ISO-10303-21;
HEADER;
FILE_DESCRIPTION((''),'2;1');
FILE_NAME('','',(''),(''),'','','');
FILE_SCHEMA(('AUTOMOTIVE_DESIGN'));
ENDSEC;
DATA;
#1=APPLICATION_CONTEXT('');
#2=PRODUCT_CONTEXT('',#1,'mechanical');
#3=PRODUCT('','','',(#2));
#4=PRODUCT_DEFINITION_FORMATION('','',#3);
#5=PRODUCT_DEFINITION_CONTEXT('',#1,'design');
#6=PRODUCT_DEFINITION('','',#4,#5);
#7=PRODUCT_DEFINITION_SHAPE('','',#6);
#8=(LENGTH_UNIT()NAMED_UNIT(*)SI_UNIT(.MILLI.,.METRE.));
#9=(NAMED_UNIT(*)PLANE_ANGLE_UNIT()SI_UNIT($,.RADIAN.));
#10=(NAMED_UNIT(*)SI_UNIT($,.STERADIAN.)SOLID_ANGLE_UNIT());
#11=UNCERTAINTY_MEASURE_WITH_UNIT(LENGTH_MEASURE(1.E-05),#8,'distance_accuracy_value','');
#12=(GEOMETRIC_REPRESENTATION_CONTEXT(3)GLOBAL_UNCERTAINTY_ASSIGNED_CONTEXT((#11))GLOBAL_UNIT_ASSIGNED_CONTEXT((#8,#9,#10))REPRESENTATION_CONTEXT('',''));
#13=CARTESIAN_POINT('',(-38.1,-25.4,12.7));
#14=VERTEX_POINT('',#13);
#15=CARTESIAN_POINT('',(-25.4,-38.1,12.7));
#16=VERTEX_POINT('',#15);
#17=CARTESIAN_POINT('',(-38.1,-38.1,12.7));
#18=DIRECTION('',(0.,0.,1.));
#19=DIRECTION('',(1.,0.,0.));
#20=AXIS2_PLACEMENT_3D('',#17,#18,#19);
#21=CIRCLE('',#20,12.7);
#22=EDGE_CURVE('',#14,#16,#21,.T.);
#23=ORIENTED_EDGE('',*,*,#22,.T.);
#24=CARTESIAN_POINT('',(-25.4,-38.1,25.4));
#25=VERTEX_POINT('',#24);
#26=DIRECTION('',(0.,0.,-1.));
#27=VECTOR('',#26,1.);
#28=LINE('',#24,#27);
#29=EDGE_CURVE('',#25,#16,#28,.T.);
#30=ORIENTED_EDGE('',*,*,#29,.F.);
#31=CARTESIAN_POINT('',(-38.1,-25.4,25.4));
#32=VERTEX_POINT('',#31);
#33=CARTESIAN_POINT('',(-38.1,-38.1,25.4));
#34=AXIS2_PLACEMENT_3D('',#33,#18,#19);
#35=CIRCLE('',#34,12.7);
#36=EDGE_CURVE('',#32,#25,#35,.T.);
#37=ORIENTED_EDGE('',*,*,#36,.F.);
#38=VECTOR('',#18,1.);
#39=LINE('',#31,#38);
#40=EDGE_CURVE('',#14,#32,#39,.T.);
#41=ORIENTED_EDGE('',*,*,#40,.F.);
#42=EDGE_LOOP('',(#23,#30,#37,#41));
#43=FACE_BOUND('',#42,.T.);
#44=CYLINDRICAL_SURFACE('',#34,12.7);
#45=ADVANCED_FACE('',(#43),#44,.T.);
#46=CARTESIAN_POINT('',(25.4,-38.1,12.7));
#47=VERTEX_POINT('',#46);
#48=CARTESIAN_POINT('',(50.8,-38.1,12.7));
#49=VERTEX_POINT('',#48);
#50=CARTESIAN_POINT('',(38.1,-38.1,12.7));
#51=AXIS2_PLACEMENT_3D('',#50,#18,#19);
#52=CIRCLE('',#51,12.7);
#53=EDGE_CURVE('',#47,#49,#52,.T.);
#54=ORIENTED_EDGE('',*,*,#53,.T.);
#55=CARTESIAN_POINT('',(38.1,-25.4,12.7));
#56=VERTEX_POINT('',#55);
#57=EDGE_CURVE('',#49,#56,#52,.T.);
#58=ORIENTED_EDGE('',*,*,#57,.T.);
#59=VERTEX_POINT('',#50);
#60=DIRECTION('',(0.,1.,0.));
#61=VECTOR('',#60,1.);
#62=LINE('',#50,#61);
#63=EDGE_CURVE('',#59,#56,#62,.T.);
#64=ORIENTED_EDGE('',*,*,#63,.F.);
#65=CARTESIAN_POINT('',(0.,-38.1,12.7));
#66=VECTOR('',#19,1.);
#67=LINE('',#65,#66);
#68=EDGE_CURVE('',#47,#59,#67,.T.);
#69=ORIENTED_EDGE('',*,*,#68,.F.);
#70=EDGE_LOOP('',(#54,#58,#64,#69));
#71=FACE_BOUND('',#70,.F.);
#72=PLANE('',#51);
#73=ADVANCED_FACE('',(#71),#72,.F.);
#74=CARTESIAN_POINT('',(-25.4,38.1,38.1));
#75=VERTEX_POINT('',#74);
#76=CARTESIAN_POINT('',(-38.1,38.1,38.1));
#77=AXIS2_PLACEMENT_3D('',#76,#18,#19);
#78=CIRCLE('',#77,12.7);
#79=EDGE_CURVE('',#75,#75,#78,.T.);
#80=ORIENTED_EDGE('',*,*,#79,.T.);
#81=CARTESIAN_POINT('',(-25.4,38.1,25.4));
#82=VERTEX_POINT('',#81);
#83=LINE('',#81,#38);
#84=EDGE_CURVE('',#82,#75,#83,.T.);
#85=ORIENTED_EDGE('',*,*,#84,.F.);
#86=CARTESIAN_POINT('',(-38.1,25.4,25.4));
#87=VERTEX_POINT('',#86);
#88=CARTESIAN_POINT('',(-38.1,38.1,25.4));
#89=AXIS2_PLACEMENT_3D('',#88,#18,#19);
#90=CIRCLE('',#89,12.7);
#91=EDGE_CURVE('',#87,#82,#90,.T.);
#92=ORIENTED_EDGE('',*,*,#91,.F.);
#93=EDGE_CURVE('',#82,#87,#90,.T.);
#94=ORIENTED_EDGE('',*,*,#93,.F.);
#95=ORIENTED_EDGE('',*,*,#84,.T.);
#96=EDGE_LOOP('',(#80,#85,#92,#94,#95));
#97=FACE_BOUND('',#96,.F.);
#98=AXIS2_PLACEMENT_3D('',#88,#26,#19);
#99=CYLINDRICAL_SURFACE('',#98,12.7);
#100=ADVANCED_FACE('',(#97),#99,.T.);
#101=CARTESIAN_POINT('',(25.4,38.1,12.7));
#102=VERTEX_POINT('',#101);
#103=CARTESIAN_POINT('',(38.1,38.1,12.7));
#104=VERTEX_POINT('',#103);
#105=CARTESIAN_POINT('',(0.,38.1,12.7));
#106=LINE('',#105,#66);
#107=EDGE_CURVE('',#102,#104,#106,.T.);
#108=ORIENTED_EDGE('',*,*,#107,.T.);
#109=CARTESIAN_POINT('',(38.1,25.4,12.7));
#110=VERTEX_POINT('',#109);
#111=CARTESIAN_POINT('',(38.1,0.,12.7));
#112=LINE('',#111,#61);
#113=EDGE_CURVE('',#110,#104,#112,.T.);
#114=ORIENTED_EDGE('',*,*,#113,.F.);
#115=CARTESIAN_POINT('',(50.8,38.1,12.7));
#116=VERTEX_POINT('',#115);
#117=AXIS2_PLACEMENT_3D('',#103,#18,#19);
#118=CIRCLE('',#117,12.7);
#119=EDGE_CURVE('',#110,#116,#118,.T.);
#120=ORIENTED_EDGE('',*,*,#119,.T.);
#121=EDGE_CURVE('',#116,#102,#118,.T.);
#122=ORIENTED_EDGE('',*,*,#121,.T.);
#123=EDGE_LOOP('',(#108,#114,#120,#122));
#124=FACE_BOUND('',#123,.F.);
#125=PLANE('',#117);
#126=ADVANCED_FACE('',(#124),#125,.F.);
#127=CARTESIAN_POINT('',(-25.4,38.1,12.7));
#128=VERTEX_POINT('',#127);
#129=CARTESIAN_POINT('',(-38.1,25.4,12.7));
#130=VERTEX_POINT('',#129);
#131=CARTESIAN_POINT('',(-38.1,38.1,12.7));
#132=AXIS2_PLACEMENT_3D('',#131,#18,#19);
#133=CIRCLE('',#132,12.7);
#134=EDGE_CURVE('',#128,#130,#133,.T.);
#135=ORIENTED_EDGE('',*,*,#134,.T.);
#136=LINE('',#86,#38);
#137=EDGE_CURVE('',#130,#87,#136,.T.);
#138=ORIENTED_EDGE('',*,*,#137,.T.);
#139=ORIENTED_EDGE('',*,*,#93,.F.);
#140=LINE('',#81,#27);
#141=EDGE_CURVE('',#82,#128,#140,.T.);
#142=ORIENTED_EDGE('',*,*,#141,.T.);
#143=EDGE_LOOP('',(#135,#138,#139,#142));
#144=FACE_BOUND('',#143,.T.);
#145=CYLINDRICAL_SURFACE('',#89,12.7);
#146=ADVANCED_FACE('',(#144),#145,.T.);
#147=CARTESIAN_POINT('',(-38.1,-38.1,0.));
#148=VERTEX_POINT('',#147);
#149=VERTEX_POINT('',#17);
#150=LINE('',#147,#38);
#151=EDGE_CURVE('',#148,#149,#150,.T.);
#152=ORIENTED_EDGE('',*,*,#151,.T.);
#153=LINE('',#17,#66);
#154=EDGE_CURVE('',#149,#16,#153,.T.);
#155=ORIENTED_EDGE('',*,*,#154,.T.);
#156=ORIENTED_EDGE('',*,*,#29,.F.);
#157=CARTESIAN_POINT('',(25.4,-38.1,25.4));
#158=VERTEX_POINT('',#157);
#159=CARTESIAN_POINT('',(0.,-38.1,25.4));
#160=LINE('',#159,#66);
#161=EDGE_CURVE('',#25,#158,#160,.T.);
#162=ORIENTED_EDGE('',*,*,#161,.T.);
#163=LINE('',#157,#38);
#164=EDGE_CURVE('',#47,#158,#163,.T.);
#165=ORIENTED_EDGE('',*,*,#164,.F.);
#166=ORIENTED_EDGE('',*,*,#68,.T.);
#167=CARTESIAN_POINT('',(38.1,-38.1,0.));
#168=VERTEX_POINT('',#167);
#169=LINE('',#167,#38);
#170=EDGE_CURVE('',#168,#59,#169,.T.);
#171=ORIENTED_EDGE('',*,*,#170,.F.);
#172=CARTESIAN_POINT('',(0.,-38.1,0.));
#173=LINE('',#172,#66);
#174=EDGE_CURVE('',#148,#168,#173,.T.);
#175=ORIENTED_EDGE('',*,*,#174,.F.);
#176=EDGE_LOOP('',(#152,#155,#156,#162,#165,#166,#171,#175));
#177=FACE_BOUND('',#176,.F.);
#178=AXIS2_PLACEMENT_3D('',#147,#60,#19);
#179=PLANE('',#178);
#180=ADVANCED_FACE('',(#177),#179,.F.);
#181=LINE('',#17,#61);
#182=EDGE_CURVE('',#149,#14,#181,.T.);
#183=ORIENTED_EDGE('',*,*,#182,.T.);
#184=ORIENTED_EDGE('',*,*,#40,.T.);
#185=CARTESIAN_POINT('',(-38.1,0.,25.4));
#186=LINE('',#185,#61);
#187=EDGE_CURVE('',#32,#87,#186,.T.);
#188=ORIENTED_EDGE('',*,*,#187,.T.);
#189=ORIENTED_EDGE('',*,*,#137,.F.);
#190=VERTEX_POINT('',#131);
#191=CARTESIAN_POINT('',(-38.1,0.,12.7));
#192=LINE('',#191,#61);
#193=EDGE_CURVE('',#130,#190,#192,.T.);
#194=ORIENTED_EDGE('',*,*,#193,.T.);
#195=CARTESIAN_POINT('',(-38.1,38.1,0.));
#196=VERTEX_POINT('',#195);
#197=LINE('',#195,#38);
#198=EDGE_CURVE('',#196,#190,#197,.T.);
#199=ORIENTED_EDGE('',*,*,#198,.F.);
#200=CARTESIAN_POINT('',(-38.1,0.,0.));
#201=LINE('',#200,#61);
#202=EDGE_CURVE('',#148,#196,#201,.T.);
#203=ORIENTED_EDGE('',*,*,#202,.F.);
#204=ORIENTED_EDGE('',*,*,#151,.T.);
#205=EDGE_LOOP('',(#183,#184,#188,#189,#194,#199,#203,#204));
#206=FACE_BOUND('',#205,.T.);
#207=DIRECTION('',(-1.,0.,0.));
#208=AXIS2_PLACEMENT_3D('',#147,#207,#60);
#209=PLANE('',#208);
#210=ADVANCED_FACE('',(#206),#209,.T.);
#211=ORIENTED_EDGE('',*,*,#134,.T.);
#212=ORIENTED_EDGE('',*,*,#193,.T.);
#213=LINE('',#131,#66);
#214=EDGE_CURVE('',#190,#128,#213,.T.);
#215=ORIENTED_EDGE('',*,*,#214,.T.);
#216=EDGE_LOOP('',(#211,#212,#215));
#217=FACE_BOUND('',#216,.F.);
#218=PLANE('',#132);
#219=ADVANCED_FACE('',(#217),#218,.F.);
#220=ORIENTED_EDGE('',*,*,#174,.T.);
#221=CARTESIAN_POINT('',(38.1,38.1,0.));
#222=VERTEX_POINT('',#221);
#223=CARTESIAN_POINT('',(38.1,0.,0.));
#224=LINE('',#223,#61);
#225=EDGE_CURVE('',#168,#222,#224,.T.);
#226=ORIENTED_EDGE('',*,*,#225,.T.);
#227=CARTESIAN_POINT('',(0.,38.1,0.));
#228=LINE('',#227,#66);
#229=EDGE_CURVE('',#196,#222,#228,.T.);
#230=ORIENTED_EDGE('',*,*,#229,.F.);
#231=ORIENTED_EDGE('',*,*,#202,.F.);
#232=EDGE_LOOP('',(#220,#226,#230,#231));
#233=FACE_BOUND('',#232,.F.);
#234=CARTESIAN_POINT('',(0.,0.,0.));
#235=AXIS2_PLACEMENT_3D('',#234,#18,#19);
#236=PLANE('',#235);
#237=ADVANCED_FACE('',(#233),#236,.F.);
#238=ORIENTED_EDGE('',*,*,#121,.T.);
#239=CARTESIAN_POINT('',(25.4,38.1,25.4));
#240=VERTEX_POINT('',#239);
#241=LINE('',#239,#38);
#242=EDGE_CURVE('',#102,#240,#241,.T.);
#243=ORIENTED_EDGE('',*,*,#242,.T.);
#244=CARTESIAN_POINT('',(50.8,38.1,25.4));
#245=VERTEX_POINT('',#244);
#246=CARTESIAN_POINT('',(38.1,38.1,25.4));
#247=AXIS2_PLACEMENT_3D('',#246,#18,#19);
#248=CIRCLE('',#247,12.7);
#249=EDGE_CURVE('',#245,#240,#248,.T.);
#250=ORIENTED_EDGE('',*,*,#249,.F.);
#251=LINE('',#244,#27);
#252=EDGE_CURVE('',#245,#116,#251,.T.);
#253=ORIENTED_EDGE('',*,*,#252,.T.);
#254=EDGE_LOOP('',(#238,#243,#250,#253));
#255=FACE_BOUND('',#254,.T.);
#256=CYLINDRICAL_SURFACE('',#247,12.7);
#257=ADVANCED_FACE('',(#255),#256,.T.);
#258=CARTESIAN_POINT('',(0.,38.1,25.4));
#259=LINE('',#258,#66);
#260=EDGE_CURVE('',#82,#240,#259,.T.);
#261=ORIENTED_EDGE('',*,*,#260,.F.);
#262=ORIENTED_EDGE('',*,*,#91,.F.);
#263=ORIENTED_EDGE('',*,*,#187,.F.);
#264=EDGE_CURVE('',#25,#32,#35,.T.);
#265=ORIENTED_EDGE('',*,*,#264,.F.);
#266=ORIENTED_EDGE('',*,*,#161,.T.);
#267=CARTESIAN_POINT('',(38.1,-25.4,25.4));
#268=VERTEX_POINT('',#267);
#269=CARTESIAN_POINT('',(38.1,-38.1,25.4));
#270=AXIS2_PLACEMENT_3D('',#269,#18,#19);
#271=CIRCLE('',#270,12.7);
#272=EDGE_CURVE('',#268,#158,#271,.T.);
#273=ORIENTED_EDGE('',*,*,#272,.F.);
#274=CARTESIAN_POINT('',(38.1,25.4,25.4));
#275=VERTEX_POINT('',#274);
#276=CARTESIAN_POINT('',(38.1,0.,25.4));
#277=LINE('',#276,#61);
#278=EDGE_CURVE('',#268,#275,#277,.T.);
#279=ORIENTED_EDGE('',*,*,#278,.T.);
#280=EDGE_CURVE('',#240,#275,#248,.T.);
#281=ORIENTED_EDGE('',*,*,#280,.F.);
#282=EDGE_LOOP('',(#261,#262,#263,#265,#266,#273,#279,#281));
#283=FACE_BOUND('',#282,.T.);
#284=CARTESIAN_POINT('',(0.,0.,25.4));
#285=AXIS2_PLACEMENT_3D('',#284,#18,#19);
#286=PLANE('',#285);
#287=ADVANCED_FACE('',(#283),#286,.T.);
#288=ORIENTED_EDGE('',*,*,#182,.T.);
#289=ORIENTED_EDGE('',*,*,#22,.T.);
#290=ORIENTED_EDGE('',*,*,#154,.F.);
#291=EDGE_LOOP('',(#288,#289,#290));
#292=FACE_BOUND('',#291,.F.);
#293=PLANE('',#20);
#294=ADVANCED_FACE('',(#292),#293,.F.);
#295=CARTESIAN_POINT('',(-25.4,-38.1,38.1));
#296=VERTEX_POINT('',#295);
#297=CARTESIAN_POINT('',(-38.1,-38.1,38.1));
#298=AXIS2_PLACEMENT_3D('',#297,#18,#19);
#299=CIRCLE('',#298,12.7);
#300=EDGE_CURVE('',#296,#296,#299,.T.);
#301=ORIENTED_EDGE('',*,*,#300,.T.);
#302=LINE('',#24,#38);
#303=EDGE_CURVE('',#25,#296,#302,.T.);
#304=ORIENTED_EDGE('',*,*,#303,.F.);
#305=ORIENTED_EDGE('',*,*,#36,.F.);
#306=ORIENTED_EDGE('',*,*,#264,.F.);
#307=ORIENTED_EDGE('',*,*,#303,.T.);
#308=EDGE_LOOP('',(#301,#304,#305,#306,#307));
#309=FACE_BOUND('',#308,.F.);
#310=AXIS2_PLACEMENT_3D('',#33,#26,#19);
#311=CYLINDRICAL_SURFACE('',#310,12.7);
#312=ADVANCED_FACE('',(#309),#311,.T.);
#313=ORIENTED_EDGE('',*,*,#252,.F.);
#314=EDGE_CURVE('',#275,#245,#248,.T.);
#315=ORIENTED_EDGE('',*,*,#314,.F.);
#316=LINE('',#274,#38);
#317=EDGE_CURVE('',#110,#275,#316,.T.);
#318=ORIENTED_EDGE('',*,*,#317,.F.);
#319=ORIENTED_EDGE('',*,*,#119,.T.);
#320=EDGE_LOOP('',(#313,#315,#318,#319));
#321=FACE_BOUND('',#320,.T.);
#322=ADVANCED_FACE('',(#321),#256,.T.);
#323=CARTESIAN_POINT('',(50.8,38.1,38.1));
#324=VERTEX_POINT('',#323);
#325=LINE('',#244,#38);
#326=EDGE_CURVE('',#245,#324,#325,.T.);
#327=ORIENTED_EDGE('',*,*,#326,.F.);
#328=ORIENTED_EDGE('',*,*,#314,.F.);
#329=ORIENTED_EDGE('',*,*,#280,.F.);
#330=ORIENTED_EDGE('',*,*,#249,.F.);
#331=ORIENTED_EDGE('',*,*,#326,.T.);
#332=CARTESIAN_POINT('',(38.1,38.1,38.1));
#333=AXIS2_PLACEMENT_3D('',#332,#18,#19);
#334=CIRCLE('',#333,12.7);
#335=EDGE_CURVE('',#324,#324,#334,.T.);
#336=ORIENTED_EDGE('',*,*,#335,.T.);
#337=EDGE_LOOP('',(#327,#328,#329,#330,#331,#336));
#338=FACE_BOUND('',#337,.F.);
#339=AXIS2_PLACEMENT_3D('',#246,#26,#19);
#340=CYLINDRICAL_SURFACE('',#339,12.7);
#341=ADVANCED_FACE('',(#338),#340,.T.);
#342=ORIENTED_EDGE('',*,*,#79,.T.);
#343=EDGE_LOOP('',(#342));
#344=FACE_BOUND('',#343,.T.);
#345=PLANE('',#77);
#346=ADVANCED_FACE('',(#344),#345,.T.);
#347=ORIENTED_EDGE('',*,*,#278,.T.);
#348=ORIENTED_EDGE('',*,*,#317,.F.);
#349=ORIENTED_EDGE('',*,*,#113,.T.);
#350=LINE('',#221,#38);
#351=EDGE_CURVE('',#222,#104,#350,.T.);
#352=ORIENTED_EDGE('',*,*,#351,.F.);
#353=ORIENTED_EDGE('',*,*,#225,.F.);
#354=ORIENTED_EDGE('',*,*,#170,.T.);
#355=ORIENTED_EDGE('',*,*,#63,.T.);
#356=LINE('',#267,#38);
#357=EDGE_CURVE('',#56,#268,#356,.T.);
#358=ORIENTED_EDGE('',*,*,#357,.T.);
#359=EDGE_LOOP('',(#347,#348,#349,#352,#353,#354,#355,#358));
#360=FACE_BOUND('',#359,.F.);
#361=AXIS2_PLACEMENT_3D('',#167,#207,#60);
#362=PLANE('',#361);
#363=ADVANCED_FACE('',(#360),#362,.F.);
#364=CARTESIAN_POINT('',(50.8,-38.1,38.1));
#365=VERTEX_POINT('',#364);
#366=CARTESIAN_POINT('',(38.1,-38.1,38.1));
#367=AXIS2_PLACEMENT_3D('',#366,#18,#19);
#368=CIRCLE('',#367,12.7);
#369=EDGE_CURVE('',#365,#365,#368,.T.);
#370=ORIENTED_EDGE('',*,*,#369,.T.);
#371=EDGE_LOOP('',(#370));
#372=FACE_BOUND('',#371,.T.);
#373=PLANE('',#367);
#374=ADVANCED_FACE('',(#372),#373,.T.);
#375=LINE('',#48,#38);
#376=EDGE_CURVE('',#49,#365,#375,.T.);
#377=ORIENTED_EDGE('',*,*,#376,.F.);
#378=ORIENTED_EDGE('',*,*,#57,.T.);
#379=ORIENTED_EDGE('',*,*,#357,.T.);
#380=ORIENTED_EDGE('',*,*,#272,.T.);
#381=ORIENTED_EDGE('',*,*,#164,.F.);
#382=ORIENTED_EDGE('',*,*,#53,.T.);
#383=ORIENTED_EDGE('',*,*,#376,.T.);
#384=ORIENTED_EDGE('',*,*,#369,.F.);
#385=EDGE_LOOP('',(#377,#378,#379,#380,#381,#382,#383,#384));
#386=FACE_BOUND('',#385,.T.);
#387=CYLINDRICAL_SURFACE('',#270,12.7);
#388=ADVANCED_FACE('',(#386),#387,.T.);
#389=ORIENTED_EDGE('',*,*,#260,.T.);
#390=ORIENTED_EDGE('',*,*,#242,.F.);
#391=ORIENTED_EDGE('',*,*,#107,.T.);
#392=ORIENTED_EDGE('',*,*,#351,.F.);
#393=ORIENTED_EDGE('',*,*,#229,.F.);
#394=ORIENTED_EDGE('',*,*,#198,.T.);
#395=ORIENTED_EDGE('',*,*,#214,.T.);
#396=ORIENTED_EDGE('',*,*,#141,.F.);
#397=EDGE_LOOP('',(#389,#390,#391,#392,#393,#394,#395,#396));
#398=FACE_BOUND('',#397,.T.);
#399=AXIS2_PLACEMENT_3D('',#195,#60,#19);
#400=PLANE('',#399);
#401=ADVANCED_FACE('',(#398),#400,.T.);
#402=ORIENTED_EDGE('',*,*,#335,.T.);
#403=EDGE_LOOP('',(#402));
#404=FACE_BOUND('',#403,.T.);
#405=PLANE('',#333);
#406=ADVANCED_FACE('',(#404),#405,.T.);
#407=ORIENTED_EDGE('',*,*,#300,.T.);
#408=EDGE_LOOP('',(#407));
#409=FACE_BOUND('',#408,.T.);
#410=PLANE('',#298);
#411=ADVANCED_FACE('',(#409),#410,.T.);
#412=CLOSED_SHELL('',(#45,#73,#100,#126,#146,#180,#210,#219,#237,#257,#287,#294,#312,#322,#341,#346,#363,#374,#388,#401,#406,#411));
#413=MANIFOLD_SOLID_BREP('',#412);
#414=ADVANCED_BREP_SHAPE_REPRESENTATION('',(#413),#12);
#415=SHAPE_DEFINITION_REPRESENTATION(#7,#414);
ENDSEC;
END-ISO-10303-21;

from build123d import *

# Parameters (mm, degrees)
F0_W     = 76.2
F0_H     = 76.2
F1_DEPTH = 25.4
F2_R     = 12.7
F3_DEPTH = 12.7


with BuildPart() as f1:
    # F0 (on Top) → F1 (new body)
    with BuildSketch(Plane.XY):
        Rectangle(F0_W, F0_H)
    extrude(amount=F1_DEPTH)

    # F2 (on face) → F3 (join, symmetric)
    with BuildSketch(Plane.XY.offset(25.4)):
        with Locations((-38.1, 38.1)):
            Circle(F2_R)
        with Locations((38.1, 38.1)):
            Circle(F2_R)
        with Locations((-38.1, -38.1)):
            Circle(F2_R)
        with Locations((38.1, -38.1)):
            Circle(F2_R)
    extrude(amount=F3_DEPTH, both=True)


solid = f1.part
